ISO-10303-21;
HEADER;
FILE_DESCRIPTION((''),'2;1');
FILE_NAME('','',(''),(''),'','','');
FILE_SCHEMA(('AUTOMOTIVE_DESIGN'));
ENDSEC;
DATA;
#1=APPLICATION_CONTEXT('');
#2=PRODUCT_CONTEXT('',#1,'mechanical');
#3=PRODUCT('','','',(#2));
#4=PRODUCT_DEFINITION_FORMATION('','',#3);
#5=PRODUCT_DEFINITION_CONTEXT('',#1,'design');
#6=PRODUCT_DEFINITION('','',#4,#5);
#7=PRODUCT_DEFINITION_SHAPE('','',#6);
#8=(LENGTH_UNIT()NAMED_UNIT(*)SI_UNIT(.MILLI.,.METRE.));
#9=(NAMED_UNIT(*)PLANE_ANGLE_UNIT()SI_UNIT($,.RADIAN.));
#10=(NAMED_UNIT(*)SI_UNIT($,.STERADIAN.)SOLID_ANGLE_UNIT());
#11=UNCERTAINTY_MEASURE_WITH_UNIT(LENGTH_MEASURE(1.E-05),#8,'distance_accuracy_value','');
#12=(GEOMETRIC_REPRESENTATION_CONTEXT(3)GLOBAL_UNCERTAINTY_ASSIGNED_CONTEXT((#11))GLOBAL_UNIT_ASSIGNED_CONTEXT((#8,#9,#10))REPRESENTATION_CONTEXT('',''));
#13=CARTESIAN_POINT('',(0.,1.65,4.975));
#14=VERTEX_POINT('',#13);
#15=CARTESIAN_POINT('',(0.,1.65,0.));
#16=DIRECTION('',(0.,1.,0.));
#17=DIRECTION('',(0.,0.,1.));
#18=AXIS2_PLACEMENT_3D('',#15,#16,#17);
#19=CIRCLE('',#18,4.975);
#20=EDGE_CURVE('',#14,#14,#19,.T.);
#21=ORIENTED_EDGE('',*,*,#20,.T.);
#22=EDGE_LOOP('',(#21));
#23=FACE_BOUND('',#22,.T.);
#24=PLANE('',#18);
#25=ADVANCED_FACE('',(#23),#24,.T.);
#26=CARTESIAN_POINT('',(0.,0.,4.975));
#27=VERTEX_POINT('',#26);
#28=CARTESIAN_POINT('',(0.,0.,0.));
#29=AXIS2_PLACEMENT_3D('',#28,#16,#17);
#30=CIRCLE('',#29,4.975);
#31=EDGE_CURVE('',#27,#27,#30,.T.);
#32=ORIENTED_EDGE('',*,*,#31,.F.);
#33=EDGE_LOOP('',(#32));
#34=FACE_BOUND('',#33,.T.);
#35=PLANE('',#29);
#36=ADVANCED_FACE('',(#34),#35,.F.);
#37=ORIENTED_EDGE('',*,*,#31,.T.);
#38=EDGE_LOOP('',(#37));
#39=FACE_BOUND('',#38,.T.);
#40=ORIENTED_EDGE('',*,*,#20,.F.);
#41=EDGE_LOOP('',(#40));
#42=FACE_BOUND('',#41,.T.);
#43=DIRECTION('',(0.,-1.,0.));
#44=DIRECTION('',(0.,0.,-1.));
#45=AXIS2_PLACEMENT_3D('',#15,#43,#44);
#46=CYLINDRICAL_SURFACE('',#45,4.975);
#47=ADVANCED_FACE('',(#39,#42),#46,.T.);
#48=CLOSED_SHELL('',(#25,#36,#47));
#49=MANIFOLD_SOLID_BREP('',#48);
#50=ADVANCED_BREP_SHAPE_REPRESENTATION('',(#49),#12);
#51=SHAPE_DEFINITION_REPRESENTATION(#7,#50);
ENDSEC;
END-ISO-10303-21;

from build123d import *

# Parameters (mm, degrees)
SKETCH_4_R      = 4.975
EXTRUDE_1_DEPTH = 1.65


with BuildPart() as part:
    # 草图4 → 凸台-拉伸1 (new body)
    with BuildSketch(Plane(origin=(0, 0, 0), x_dir=(1, 0, 0), z_dir=(0, 1, 0))):
        with Locations(Location((0, 0, 0), (0, 0, 270))):
            Circle(SKETCH_4_R)
    extrude(amount=EXTRUDE_1_DEPTH)


solid = part.part
